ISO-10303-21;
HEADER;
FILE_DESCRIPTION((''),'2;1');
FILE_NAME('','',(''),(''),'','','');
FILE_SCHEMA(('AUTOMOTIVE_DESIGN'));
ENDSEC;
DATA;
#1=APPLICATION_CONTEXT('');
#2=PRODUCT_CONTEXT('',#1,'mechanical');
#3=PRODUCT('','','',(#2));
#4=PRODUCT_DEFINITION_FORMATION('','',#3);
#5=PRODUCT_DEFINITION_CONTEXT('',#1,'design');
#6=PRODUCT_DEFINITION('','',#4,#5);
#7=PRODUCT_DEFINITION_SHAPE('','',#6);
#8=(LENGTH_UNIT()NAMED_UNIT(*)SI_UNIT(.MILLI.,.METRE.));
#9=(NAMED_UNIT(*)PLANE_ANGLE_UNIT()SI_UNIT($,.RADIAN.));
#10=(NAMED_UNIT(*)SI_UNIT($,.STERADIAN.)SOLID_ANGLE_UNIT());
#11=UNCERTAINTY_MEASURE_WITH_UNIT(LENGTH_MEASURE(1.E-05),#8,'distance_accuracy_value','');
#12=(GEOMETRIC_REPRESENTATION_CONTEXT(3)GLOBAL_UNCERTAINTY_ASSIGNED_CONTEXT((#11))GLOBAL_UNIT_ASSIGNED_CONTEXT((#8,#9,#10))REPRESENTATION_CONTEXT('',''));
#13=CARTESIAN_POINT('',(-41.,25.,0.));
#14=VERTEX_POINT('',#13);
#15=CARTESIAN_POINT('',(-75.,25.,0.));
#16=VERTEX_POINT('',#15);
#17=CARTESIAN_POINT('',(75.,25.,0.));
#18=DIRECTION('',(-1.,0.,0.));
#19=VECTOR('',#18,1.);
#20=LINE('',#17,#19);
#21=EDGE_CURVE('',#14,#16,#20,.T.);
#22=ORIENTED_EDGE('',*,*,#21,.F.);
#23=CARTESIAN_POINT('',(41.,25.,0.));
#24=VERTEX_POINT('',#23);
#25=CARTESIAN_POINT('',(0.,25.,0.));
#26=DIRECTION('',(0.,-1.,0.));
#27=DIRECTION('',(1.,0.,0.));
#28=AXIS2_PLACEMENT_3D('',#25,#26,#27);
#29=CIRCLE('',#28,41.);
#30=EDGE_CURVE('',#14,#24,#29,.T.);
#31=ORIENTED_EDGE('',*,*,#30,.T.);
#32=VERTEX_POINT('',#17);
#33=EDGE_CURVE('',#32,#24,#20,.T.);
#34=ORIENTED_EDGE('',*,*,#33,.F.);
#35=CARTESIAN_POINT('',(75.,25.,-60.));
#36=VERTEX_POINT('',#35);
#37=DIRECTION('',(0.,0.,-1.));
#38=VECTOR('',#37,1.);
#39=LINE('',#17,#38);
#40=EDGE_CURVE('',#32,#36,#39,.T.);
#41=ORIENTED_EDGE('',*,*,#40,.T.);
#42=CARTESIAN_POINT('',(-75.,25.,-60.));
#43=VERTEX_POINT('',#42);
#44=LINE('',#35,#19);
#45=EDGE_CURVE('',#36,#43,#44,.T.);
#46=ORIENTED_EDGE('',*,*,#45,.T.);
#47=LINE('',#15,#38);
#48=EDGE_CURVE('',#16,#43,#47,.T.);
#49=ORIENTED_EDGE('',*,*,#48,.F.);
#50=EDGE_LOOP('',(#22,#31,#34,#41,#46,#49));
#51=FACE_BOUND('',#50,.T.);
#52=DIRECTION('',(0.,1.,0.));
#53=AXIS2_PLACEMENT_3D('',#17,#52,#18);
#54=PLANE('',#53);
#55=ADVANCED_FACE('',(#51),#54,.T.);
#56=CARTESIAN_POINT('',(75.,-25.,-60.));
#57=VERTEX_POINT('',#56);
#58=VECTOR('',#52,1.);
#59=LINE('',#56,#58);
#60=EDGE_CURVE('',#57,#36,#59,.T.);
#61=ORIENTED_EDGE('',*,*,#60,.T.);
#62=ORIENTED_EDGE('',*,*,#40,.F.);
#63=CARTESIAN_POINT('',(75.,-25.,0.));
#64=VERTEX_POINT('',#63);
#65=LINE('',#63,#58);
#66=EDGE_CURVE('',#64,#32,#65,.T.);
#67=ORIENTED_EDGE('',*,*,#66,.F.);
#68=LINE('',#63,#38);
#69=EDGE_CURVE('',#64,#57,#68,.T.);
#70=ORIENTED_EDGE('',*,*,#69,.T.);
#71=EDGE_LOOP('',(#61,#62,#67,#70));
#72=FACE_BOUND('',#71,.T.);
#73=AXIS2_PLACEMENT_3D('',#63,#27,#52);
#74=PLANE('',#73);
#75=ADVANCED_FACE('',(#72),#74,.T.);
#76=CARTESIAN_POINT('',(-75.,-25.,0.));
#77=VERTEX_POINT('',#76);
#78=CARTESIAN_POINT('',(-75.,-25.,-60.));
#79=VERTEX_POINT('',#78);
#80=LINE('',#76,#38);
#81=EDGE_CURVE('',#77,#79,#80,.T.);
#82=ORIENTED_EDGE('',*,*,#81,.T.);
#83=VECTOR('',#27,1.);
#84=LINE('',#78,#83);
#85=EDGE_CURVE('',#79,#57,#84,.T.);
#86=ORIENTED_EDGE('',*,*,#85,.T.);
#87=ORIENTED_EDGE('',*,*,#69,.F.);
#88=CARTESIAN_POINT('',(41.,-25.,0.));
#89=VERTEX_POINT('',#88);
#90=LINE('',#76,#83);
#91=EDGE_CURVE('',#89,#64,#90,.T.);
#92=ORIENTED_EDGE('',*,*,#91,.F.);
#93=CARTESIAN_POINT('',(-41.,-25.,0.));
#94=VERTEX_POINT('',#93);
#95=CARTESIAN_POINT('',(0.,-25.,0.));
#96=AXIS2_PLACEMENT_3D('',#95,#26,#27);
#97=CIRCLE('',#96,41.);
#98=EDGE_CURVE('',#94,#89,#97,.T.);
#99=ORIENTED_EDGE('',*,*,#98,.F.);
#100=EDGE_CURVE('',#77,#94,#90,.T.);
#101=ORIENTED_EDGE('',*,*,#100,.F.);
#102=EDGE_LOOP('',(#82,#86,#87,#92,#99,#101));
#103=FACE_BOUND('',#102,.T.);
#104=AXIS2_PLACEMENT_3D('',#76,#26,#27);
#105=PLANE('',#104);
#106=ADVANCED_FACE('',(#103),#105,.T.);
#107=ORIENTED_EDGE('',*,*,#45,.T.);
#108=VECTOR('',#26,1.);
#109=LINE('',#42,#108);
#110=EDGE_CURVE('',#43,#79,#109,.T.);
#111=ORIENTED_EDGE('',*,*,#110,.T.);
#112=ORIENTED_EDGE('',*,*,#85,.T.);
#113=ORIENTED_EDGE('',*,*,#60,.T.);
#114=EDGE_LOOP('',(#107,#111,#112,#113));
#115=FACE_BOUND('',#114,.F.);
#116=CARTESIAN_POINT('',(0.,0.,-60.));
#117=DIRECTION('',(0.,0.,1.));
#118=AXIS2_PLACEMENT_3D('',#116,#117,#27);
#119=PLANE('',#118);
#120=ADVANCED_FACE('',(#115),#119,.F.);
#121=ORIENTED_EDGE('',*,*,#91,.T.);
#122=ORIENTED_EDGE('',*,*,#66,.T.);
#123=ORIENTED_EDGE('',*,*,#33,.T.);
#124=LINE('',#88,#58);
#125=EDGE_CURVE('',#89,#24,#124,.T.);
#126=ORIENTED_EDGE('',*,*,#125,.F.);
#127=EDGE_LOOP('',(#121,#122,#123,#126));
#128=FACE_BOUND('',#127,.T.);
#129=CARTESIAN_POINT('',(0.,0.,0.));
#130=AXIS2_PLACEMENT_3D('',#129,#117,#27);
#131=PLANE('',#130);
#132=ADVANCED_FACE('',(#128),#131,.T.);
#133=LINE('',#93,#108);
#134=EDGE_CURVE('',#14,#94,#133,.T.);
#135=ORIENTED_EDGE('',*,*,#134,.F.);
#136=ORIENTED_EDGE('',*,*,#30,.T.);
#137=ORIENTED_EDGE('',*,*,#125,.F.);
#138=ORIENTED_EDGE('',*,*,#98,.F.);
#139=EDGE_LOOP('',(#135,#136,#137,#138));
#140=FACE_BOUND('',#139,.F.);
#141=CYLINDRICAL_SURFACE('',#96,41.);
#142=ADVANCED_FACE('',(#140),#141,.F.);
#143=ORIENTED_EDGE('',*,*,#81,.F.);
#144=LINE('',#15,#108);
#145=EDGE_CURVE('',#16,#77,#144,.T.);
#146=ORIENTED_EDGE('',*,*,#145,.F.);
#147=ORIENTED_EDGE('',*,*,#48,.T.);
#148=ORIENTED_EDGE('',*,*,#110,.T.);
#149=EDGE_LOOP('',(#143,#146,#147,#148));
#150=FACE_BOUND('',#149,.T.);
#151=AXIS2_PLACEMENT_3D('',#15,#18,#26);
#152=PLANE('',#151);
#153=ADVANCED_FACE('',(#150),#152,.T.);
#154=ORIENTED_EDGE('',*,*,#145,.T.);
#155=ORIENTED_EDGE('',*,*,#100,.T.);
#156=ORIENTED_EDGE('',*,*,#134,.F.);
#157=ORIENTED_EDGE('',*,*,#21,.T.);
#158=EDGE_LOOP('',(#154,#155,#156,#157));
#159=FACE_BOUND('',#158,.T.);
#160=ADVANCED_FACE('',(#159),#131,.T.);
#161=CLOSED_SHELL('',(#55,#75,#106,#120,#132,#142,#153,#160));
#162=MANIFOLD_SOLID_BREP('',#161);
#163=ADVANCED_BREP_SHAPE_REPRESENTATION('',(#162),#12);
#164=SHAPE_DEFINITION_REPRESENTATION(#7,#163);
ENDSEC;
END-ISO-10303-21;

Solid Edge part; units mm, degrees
sketch "Sketch1" plane through (0, 0, 0) normal (0, 0, 1) x (1, 0, 0)
  line L0 (-75, -25) -> (75, -25)
  line L1 (75, -25) -> (75, 25)
  line L2 (75, 25) -> (-75, 25)
  line L3 (-75, 25) -> (-75, -25)
extrude "Protrusion1" add sketch "Sketch1" against normal blind 60
sketch "Sketch2" plane through (0, -25, -30) normal (0, -1, 0) x (1, 0, 0)
  circle A0 centre (0, 30) radius 41
extrude "ExtrudedCutout_1" cut sketch "Sketch2" against normal blind 50
